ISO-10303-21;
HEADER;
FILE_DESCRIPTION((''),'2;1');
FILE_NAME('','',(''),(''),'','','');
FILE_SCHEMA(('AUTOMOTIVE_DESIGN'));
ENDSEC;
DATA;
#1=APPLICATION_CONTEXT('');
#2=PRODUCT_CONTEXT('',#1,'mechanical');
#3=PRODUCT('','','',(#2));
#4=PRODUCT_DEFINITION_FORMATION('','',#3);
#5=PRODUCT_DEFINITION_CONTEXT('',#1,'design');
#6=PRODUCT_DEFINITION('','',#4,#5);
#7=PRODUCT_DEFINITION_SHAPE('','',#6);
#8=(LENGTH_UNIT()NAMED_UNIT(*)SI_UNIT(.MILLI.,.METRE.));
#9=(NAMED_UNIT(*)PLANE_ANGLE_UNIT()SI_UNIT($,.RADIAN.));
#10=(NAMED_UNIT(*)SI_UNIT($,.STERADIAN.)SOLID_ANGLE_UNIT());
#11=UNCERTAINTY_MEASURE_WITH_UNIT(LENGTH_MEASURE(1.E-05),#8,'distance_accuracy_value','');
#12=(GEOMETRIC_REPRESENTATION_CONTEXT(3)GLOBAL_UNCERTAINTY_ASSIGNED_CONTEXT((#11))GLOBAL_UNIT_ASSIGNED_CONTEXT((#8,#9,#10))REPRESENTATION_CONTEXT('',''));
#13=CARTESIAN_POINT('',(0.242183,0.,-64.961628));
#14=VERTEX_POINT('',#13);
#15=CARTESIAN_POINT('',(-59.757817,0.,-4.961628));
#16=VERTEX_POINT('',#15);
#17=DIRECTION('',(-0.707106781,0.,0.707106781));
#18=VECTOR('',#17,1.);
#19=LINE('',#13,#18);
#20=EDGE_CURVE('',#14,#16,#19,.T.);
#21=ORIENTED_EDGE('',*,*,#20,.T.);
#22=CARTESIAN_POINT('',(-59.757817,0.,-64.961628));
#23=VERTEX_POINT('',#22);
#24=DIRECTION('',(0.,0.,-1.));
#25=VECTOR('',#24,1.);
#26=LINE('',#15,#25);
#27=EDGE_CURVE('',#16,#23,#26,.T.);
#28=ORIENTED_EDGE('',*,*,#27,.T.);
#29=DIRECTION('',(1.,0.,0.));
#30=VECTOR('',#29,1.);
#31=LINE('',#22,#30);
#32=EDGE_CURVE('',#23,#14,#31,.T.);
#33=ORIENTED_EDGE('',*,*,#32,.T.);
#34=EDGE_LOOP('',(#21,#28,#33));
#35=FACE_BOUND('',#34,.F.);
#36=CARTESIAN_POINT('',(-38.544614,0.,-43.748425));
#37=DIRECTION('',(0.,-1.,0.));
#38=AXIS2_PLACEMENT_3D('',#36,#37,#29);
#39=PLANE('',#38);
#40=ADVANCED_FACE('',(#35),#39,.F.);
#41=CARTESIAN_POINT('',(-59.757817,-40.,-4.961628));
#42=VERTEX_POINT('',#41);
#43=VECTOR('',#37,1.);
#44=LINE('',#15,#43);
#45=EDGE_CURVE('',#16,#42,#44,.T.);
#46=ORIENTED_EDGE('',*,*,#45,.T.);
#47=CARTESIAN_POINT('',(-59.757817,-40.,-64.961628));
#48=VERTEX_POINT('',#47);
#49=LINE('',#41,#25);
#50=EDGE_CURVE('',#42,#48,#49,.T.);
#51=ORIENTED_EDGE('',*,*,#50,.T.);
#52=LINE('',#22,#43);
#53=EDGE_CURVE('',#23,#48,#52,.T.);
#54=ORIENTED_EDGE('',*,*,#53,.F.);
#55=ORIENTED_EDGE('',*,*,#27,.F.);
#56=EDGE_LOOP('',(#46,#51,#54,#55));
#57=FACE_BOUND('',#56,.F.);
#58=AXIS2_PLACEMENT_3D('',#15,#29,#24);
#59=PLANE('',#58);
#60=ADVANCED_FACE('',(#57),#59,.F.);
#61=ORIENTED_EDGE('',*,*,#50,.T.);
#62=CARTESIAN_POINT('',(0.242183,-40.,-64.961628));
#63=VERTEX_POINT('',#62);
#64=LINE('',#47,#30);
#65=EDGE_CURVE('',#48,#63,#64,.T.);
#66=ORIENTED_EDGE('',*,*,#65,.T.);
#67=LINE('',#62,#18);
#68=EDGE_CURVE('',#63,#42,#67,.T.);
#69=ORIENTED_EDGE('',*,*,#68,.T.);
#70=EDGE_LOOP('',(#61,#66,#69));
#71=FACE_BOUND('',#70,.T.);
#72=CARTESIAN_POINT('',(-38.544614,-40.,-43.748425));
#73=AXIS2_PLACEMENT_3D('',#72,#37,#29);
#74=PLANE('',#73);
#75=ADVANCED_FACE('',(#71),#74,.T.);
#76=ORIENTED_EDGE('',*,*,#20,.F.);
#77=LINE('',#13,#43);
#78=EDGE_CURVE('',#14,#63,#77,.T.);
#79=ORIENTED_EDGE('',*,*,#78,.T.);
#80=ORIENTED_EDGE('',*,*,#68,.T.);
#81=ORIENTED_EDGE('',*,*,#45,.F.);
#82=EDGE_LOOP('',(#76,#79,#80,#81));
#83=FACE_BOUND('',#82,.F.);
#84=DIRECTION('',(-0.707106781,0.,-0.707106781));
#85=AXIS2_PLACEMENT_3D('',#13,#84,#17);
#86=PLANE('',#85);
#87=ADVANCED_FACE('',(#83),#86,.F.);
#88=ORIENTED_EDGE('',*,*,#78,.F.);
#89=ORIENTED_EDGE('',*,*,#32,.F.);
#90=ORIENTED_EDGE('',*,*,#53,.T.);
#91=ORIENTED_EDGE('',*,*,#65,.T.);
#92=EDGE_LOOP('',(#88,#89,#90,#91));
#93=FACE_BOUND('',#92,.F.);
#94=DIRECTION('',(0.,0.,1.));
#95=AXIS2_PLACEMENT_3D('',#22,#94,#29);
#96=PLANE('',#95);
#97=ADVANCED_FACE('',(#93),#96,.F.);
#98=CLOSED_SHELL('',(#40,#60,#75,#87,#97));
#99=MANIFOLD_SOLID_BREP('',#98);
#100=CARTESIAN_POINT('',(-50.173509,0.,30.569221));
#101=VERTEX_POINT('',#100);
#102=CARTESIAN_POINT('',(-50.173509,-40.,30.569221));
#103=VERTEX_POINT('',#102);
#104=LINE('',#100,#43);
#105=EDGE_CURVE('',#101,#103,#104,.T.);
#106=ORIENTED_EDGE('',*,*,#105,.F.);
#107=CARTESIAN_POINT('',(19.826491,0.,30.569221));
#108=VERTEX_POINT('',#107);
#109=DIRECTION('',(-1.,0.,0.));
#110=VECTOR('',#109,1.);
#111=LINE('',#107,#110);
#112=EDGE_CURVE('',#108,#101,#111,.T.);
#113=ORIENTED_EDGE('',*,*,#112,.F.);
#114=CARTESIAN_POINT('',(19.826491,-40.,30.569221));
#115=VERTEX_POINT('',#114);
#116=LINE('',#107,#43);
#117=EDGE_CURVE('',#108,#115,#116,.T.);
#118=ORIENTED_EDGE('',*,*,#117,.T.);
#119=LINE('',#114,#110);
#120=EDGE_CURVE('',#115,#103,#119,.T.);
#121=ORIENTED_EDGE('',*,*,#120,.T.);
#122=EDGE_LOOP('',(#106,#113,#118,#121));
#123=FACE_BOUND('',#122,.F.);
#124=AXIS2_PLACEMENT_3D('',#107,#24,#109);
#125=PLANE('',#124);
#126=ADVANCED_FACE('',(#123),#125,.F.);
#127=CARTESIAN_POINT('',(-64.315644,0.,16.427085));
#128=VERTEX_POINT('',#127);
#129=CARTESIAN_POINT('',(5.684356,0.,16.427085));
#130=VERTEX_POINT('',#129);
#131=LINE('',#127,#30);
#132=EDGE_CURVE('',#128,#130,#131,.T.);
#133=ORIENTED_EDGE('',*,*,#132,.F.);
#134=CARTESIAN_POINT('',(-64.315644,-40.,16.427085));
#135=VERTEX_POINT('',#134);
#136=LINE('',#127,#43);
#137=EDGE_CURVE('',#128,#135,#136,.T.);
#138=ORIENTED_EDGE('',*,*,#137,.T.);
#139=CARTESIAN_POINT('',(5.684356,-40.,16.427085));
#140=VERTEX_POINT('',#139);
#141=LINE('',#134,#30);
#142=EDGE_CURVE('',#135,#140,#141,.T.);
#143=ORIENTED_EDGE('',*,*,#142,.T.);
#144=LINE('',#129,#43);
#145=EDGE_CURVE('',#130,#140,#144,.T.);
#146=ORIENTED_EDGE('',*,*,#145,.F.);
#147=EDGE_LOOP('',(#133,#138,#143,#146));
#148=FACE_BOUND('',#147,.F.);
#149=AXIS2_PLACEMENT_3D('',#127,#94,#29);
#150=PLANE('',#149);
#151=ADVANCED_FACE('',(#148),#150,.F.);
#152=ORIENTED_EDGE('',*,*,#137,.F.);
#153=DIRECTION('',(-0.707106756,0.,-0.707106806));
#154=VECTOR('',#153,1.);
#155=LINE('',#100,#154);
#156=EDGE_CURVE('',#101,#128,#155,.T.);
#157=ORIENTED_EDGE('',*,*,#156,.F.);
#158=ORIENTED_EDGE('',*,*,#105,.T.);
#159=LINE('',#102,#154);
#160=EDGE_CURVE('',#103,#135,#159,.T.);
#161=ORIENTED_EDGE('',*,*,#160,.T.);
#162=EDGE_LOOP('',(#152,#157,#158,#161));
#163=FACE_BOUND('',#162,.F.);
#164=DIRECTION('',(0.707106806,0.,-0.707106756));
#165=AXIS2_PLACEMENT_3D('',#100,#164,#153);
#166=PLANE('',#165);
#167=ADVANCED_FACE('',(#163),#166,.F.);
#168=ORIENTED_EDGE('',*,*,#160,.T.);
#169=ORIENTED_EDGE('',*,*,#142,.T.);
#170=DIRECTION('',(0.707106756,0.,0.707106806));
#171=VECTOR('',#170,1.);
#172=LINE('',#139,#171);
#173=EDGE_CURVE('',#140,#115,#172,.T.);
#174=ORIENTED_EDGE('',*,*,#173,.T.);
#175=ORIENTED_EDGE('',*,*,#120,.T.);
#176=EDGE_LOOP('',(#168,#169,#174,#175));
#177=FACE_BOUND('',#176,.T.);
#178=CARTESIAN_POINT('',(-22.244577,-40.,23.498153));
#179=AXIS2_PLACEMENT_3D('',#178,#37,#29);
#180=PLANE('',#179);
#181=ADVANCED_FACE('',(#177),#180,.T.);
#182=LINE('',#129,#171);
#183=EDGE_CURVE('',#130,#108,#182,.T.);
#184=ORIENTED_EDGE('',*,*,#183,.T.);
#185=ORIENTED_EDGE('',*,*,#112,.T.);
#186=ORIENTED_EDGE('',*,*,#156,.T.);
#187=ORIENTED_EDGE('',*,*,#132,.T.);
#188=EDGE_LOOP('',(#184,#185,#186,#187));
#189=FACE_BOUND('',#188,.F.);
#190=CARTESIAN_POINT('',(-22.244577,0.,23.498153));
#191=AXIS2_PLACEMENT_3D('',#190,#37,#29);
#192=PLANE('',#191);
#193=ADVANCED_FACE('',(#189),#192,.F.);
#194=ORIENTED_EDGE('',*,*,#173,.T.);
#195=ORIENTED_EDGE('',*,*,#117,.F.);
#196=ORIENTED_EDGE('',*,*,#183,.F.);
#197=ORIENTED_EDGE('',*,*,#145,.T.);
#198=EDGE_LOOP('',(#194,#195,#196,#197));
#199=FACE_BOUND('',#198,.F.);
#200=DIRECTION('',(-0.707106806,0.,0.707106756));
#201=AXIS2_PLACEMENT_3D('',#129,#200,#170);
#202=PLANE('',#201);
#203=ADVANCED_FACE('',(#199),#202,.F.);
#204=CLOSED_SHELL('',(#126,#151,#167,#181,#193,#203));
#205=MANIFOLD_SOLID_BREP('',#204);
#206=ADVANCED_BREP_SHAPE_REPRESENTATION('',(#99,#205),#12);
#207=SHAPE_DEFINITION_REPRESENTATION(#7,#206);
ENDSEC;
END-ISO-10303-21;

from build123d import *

# Parameters (mm, degrees)
F2_DEPTH = 40


with BuildPart() as f2:
    # F1 (on Front) + F0 (on Front) → F2 (new body)
    with BuildSketch(Plane.XZ):
        Polygon((0.242183, -64.961628), (-59.757817, -4.961628), (-59.757817, -64.961628), align=None)
    with BuildSketch(Plane.XZ):
        Polygon((-50.173509, 30.569221), (-64.315644, 16.427085), (5.684356, 16.427085), (19.826491, 30.569221), align=None)
    extrude(amount=F2_DEPTH)


solid = f2.part
